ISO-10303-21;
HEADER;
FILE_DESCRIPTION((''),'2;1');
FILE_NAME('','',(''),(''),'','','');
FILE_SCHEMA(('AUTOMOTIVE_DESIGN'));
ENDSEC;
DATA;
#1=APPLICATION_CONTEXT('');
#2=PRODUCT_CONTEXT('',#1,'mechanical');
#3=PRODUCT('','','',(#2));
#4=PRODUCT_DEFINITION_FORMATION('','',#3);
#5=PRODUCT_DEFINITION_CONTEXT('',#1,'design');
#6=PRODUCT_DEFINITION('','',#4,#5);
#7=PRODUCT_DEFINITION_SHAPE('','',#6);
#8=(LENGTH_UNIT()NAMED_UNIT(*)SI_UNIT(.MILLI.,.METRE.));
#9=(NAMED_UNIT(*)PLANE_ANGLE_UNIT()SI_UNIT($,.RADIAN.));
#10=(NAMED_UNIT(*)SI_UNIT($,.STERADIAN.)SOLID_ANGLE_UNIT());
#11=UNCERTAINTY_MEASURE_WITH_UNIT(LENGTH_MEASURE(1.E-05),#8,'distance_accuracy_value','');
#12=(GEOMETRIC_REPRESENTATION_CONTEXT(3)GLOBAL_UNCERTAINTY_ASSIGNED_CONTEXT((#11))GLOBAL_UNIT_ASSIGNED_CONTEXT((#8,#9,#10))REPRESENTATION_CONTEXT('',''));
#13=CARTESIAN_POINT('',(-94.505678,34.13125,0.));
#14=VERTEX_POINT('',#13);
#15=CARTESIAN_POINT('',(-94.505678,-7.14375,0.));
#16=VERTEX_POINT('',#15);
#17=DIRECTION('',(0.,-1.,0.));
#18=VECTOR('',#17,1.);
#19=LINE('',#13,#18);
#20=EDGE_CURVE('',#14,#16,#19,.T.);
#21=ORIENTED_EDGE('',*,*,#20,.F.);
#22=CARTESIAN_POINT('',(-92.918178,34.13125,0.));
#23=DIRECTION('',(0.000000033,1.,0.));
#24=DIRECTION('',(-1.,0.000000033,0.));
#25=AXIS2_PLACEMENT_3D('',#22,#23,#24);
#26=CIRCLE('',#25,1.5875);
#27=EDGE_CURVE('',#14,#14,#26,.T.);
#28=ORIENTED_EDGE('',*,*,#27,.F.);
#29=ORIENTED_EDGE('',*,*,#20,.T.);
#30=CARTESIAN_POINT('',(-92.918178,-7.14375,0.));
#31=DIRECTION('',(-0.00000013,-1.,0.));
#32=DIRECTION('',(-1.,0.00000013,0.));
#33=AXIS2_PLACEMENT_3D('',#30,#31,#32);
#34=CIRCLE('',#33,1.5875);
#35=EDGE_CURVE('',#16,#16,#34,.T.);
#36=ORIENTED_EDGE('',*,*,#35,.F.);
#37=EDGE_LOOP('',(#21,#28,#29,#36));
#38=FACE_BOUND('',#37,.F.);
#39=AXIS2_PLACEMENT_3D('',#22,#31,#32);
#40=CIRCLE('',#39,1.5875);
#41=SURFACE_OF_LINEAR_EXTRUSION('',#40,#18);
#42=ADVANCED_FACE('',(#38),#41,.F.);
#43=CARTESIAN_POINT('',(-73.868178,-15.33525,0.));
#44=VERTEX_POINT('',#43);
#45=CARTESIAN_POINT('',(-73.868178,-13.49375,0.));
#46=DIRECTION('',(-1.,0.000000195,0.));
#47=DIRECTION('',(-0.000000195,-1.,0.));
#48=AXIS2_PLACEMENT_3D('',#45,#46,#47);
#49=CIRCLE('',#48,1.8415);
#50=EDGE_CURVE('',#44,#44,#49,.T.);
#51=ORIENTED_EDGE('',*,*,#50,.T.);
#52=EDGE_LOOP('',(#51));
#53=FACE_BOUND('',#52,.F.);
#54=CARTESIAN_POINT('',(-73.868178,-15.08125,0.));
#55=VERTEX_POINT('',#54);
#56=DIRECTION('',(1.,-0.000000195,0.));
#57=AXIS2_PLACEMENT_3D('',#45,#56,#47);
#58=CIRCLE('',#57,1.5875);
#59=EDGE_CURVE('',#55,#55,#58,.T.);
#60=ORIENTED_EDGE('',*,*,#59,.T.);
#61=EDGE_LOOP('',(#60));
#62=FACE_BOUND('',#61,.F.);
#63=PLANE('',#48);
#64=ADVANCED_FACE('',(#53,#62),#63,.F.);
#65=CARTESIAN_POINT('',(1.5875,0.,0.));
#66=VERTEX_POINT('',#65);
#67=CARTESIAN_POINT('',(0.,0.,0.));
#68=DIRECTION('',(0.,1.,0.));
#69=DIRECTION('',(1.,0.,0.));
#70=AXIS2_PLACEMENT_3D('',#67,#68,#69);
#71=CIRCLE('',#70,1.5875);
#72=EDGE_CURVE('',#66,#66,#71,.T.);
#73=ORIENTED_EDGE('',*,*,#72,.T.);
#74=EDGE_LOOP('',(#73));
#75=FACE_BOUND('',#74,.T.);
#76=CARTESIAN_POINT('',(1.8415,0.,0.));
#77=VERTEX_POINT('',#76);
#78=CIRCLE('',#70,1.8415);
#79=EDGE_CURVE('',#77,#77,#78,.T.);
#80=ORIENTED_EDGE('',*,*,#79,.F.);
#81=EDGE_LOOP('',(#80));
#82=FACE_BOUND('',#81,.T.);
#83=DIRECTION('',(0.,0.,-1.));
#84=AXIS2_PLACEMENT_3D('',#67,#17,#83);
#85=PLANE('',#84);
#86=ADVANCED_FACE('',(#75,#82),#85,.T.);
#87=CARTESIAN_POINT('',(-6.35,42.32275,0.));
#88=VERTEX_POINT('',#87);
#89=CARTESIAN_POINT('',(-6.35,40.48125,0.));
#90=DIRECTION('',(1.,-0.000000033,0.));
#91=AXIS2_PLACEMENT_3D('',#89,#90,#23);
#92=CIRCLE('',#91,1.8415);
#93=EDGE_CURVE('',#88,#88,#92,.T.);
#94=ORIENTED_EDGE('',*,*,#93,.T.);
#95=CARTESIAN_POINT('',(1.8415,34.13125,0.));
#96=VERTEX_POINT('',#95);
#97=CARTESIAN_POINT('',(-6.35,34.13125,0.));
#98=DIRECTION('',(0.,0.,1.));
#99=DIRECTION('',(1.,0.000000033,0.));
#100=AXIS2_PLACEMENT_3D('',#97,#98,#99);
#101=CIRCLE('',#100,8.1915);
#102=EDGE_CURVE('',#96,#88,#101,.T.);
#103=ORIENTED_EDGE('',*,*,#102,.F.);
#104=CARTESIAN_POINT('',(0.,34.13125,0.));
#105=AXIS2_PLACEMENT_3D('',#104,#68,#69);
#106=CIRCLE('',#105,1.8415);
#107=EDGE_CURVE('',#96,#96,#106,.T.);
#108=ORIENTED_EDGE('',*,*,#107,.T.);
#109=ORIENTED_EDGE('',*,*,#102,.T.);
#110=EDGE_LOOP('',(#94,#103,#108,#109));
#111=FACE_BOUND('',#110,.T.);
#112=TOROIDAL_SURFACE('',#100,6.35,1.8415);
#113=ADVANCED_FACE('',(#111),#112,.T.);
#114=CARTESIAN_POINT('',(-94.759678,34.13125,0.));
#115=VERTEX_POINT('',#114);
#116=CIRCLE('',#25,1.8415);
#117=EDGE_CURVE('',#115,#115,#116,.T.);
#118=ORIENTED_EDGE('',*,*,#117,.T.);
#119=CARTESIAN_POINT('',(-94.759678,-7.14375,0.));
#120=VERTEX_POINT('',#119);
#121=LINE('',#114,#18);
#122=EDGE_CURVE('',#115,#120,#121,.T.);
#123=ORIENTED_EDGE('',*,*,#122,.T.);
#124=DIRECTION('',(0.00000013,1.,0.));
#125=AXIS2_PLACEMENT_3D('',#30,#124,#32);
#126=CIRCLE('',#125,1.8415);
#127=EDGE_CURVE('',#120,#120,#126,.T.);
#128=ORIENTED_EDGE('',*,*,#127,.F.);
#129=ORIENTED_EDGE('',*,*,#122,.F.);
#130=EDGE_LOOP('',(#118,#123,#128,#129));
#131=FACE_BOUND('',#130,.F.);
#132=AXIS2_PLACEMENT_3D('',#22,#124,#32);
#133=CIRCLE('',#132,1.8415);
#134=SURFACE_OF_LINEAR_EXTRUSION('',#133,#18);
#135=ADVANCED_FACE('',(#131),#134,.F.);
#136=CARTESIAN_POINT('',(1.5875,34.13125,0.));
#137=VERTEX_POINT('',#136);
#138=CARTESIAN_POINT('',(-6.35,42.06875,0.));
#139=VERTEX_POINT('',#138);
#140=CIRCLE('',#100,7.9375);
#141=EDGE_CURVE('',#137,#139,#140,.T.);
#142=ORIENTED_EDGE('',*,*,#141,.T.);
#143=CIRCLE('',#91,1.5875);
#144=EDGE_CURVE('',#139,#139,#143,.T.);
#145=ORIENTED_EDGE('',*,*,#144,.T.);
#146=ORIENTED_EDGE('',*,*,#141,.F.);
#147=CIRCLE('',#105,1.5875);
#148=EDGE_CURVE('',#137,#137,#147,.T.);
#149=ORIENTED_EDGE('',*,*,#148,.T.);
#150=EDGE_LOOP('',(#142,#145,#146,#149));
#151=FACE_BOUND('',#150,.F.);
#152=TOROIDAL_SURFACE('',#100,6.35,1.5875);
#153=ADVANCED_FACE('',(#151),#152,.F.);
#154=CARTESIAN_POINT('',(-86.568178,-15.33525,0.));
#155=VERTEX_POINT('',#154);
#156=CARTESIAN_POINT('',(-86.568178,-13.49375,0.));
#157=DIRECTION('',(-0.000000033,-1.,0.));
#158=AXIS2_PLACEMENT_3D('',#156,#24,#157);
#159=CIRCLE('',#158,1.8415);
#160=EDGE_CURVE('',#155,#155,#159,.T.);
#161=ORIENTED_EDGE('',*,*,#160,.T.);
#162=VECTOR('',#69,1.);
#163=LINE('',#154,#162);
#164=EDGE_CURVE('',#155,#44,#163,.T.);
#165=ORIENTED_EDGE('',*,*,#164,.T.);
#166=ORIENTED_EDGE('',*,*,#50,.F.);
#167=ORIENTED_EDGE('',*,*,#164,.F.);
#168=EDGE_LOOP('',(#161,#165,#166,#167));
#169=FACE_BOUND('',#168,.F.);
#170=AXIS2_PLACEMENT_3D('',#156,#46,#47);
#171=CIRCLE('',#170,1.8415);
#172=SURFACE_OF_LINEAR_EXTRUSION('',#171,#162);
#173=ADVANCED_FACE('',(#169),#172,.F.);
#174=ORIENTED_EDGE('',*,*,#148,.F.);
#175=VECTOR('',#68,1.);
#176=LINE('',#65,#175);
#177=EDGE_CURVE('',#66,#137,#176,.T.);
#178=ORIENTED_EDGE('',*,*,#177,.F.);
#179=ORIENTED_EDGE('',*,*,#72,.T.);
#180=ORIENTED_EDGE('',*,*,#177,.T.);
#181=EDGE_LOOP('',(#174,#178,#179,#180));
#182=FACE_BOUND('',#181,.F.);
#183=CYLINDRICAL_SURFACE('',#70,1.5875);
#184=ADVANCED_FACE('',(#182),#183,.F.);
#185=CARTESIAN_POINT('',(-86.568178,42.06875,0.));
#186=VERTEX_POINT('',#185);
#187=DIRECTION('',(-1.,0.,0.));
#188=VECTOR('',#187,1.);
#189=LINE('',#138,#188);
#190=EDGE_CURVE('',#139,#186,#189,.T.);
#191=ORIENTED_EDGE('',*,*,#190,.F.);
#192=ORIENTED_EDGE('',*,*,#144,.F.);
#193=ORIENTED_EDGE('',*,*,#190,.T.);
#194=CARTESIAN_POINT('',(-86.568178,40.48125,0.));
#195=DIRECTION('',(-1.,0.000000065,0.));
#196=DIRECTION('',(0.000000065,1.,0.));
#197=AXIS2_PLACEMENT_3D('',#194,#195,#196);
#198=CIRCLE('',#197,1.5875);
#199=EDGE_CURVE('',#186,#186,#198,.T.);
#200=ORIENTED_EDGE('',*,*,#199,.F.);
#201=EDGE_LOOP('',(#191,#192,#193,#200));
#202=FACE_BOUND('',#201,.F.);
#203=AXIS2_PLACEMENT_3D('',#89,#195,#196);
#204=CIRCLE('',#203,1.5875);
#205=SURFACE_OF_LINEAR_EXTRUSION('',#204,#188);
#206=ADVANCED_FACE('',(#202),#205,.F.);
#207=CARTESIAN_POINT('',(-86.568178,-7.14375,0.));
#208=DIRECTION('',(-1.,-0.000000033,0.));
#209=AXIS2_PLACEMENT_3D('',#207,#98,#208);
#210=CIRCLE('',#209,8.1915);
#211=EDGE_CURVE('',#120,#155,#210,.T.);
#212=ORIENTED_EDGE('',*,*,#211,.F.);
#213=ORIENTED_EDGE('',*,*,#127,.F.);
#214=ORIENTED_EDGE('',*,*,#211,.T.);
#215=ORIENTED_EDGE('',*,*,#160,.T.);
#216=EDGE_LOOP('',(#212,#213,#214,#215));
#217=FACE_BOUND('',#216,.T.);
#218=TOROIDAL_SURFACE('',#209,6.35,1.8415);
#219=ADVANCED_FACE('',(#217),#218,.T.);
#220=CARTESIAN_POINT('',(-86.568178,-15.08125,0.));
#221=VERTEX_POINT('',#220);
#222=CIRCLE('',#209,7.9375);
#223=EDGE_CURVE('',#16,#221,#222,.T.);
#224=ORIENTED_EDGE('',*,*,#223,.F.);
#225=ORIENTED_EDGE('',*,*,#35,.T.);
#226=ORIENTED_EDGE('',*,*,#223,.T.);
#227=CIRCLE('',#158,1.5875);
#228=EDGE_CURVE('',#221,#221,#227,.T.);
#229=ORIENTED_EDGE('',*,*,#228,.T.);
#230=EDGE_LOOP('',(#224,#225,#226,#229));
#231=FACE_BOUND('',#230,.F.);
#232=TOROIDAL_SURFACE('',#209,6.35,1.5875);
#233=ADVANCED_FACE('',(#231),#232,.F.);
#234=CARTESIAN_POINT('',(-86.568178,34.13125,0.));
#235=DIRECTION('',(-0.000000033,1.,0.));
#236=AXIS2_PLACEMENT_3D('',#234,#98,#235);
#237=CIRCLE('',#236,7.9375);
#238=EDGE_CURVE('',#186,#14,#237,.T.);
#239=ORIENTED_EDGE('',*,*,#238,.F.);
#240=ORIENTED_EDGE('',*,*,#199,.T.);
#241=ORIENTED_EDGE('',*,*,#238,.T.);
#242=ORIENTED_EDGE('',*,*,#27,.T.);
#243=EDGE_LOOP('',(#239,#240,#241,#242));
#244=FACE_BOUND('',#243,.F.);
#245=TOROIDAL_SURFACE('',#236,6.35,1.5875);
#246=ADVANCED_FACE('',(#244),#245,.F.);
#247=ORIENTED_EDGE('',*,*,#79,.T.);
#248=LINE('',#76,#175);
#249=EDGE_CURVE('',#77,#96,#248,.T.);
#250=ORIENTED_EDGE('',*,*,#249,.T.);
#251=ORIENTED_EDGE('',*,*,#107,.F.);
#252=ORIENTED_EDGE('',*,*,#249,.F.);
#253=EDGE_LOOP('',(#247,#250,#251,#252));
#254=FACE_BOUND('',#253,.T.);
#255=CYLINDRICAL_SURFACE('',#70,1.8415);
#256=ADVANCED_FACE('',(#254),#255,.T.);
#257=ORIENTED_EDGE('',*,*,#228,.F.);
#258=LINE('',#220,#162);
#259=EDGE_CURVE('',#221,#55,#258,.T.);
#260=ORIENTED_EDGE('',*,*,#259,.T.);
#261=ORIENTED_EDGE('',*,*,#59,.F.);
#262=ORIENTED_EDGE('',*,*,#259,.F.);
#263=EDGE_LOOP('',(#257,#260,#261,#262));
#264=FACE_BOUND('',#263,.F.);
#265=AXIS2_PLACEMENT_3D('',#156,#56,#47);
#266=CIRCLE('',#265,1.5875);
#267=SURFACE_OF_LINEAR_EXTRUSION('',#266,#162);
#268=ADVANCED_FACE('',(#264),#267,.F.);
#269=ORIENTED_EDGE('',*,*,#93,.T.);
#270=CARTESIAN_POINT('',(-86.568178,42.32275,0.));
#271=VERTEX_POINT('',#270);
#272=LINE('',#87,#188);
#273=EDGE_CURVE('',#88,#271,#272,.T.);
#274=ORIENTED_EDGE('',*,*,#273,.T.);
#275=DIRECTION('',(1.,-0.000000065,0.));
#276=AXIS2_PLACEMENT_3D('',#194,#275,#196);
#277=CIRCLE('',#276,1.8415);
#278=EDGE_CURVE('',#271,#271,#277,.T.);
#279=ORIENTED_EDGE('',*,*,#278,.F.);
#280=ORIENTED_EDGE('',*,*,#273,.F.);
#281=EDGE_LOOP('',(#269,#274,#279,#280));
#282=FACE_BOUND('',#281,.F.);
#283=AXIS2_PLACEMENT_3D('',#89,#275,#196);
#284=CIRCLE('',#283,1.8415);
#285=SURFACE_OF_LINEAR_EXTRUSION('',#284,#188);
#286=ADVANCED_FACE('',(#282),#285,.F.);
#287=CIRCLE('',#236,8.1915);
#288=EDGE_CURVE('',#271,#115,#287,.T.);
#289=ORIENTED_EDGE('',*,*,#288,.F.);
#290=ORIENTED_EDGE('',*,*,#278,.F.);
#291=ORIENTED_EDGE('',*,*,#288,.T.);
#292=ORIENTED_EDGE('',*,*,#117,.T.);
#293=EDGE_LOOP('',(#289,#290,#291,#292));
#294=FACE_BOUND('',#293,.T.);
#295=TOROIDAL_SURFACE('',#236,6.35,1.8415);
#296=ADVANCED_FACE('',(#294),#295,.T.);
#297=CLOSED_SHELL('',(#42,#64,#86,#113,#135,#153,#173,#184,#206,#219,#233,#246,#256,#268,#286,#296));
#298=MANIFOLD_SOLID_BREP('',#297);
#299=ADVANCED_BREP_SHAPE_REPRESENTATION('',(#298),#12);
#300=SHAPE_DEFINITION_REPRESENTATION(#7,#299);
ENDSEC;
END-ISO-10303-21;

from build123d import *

# Parameters (mm, degrees)
F1_R   = 1.8415
F1_R_2 = 1.5875


with BuildPart() as f2:
    # F2: sweep along a path in F0
    with BuildLine(Plane.XY) as f2_path:
        Line((0, 0), (0, 34.13125))
        ThreePointArc((0, 34.13125), (-1.859872, 38.621378), (-6.35, 40.48125))
        Line((-6.35, 40.48125), (-86.568178, 40.48125))
        ThreePointArc((-86.568178, 40.48125), (-91.058306, 38.621378), (-92.918178, 34.13125))
        Line((-92.918178, 34.13125), (-92.918178, -7.14375))
        ThreePointArc((-92.918178, -7.14375), (-91.058306, -11.633878), (-86.568178, -13.49375))
        Line((-86.568178, -13.49375), (-73.868178, -13.49375))
    # F1 (on Front) → F2 (sweep)
    with BuildSketch(Plane.XZ):
        Circle(F1_R)
        Circle(F1_R_2, mode=Mode.SUBTRACT)
    sweep(path=f2_path.line)


solid = f2.part
